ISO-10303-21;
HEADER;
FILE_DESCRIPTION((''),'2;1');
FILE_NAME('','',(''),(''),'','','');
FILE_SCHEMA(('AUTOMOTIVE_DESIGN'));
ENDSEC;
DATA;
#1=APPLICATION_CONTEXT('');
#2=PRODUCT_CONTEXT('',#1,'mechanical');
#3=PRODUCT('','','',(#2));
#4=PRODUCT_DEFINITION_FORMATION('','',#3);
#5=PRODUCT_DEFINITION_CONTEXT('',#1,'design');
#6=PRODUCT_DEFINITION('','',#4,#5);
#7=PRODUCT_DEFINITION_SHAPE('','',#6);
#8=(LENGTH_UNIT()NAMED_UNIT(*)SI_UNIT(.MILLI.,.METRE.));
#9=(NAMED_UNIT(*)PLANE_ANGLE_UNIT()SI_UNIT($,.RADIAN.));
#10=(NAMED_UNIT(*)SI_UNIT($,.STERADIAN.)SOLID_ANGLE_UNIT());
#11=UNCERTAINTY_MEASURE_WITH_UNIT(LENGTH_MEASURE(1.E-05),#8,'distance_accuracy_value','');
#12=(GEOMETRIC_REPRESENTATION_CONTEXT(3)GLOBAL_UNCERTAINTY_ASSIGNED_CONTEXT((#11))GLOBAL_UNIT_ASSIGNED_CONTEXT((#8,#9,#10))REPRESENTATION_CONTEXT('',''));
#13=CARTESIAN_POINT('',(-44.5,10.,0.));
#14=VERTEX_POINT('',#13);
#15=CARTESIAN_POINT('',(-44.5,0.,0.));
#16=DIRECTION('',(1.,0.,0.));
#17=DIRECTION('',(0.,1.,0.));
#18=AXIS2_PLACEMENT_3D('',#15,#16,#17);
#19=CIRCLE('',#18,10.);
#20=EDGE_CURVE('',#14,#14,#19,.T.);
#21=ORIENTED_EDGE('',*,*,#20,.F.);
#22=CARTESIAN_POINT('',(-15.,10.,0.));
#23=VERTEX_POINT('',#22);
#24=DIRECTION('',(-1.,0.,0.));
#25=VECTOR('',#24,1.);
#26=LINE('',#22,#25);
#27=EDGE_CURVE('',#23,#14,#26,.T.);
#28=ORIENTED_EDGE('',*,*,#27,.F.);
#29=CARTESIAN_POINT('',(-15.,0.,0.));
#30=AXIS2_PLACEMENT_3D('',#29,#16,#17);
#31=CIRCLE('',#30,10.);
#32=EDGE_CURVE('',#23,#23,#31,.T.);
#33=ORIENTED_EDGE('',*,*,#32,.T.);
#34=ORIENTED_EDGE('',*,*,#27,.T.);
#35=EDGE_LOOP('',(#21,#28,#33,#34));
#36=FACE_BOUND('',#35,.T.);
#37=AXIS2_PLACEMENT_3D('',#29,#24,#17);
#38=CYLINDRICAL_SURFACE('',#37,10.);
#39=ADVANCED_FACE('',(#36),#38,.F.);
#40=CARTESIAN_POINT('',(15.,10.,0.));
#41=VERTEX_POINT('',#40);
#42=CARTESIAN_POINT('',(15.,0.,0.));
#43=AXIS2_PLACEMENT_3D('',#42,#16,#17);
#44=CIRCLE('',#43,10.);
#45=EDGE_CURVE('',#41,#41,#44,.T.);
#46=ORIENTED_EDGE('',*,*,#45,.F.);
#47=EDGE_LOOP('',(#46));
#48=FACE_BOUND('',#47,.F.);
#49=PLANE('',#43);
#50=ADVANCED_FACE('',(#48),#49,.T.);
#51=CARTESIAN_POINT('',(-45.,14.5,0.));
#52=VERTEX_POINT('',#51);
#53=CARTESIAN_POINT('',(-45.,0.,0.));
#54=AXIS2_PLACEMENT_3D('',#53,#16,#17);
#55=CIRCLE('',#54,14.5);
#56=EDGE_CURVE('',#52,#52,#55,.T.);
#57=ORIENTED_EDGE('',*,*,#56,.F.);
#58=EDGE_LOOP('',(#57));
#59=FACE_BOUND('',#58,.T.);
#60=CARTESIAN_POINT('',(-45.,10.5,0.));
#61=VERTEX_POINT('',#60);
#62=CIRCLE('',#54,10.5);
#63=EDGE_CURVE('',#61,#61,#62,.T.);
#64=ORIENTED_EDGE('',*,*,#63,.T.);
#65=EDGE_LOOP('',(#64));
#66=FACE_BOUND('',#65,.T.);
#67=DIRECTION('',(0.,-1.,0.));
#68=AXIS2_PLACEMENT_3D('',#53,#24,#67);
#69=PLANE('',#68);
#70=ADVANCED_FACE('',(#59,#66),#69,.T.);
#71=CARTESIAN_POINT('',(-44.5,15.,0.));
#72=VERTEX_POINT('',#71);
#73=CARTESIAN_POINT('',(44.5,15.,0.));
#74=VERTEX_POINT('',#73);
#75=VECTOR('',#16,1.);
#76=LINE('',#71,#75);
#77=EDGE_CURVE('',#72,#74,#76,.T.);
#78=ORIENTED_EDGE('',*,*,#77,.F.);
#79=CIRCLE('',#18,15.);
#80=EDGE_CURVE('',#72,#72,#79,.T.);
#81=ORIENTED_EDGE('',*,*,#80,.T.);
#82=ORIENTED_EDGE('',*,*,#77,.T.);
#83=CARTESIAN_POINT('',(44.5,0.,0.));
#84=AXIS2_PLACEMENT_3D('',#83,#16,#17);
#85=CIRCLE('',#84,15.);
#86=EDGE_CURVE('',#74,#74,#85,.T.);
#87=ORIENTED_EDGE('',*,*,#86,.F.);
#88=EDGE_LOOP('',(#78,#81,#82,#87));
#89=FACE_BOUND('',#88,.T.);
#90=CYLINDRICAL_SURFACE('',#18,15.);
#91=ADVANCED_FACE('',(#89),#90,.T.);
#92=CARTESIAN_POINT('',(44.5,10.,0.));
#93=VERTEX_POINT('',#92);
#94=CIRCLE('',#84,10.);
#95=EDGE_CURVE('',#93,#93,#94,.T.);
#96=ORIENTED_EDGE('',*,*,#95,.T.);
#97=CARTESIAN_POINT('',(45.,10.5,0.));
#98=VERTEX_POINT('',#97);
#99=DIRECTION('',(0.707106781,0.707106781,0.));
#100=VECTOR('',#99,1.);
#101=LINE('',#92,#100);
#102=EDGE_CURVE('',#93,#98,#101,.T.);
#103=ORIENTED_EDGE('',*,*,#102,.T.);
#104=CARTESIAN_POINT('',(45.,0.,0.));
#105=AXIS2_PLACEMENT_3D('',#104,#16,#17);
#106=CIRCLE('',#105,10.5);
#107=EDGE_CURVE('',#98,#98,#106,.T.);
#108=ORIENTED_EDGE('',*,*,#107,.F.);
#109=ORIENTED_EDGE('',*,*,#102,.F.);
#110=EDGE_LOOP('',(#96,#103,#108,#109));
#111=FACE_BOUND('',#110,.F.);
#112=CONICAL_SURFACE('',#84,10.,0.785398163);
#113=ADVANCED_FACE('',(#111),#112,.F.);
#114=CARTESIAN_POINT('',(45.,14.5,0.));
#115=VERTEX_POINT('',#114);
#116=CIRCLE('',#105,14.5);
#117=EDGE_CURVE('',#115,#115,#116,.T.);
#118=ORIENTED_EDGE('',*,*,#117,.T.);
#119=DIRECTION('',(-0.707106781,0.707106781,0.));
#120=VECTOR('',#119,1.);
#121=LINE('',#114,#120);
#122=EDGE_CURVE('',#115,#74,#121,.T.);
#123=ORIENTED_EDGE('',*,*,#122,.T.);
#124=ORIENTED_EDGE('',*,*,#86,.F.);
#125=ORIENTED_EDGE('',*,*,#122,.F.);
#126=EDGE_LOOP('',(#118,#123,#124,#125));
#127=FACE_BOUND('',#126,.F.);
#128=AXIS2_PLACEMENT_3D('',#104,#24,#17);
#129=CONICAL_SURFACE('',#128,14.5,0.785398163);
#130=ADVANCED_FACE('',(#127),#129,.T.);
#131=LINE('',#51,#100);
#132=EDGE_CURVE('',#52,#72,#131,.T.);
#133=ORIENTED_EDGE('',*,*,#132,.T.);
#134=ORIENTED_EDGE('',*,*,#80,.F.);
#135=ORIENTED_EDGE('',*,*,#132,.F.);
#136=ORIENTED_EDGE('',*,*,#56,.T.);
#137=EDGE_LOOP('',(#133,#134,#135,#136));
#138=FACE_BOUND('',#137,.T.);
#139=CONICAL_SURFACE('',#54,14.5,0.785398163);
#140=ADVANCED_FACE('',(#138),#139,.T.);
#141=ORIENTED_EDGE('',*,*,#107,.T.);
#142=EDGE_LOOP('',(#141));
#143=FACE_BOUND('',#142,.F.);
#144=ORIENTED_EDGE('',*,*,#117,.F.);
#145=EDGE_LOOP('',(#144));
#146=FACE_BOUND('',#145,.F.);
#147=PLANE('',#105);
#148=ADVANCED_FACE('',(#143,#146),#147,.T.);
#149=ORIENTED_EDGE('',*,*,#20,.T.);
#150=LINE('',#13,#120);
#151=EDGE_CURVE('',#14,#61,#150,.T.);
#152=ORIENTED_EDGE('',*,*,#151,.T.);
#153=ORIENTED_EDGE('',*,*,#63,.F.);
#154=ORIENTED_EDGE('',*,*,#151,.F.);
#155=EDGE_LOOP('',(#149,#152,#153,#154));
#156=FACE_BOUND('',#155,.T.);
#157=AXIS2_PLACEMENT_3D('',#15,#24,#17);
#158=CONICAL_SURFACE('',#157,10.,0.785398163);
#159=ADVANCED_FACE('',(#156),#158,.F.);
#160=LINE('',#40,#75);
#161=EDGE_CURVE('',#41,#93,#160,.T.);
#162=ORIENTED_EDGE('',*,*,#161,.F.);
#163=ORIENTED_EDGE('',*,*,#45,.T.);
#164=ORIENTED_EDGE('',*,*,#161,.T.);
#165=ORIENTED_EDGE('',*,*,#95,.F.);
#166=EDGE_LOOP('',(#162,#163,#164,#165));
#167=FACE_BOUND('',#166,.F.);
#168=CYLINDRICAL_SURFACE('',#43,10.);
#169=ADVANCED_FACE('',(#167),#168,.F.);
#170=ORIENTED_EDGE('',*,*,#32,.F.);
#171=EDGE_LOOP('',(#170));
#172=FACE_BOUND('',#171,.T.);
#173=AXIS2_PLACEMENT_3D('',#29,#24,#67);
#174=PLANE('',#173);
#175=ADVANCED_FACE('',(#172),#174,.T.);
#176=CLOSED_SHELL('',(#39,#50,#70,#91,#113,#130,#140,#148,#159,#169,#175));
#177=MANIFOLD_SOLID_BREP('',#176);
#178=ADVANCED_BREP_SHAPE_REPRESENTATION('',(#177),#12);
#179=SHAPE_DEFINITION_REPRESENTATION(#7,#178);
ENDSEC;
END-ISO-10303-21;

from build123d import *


with BuildPart() as f1:
    # F0 (on Top) → F1 (revolve)
    with BuildSketch(Plane.XY):
        Polygon((0, 0), (15, 0), (15, 10), (44.5, 10), (45, 10.5), (45, 14.5), (44.5, 15), (0, 15), align=None)
    revolve(axis=Axis((23.765821, 0, 0), (1, 0, 0)))

    # F2: F1 across plane


with BuildPart() as f1_1:
    add(f1.part)
    add(f1.part.mirror(Plane.YZ))


solid = f1_1.part
